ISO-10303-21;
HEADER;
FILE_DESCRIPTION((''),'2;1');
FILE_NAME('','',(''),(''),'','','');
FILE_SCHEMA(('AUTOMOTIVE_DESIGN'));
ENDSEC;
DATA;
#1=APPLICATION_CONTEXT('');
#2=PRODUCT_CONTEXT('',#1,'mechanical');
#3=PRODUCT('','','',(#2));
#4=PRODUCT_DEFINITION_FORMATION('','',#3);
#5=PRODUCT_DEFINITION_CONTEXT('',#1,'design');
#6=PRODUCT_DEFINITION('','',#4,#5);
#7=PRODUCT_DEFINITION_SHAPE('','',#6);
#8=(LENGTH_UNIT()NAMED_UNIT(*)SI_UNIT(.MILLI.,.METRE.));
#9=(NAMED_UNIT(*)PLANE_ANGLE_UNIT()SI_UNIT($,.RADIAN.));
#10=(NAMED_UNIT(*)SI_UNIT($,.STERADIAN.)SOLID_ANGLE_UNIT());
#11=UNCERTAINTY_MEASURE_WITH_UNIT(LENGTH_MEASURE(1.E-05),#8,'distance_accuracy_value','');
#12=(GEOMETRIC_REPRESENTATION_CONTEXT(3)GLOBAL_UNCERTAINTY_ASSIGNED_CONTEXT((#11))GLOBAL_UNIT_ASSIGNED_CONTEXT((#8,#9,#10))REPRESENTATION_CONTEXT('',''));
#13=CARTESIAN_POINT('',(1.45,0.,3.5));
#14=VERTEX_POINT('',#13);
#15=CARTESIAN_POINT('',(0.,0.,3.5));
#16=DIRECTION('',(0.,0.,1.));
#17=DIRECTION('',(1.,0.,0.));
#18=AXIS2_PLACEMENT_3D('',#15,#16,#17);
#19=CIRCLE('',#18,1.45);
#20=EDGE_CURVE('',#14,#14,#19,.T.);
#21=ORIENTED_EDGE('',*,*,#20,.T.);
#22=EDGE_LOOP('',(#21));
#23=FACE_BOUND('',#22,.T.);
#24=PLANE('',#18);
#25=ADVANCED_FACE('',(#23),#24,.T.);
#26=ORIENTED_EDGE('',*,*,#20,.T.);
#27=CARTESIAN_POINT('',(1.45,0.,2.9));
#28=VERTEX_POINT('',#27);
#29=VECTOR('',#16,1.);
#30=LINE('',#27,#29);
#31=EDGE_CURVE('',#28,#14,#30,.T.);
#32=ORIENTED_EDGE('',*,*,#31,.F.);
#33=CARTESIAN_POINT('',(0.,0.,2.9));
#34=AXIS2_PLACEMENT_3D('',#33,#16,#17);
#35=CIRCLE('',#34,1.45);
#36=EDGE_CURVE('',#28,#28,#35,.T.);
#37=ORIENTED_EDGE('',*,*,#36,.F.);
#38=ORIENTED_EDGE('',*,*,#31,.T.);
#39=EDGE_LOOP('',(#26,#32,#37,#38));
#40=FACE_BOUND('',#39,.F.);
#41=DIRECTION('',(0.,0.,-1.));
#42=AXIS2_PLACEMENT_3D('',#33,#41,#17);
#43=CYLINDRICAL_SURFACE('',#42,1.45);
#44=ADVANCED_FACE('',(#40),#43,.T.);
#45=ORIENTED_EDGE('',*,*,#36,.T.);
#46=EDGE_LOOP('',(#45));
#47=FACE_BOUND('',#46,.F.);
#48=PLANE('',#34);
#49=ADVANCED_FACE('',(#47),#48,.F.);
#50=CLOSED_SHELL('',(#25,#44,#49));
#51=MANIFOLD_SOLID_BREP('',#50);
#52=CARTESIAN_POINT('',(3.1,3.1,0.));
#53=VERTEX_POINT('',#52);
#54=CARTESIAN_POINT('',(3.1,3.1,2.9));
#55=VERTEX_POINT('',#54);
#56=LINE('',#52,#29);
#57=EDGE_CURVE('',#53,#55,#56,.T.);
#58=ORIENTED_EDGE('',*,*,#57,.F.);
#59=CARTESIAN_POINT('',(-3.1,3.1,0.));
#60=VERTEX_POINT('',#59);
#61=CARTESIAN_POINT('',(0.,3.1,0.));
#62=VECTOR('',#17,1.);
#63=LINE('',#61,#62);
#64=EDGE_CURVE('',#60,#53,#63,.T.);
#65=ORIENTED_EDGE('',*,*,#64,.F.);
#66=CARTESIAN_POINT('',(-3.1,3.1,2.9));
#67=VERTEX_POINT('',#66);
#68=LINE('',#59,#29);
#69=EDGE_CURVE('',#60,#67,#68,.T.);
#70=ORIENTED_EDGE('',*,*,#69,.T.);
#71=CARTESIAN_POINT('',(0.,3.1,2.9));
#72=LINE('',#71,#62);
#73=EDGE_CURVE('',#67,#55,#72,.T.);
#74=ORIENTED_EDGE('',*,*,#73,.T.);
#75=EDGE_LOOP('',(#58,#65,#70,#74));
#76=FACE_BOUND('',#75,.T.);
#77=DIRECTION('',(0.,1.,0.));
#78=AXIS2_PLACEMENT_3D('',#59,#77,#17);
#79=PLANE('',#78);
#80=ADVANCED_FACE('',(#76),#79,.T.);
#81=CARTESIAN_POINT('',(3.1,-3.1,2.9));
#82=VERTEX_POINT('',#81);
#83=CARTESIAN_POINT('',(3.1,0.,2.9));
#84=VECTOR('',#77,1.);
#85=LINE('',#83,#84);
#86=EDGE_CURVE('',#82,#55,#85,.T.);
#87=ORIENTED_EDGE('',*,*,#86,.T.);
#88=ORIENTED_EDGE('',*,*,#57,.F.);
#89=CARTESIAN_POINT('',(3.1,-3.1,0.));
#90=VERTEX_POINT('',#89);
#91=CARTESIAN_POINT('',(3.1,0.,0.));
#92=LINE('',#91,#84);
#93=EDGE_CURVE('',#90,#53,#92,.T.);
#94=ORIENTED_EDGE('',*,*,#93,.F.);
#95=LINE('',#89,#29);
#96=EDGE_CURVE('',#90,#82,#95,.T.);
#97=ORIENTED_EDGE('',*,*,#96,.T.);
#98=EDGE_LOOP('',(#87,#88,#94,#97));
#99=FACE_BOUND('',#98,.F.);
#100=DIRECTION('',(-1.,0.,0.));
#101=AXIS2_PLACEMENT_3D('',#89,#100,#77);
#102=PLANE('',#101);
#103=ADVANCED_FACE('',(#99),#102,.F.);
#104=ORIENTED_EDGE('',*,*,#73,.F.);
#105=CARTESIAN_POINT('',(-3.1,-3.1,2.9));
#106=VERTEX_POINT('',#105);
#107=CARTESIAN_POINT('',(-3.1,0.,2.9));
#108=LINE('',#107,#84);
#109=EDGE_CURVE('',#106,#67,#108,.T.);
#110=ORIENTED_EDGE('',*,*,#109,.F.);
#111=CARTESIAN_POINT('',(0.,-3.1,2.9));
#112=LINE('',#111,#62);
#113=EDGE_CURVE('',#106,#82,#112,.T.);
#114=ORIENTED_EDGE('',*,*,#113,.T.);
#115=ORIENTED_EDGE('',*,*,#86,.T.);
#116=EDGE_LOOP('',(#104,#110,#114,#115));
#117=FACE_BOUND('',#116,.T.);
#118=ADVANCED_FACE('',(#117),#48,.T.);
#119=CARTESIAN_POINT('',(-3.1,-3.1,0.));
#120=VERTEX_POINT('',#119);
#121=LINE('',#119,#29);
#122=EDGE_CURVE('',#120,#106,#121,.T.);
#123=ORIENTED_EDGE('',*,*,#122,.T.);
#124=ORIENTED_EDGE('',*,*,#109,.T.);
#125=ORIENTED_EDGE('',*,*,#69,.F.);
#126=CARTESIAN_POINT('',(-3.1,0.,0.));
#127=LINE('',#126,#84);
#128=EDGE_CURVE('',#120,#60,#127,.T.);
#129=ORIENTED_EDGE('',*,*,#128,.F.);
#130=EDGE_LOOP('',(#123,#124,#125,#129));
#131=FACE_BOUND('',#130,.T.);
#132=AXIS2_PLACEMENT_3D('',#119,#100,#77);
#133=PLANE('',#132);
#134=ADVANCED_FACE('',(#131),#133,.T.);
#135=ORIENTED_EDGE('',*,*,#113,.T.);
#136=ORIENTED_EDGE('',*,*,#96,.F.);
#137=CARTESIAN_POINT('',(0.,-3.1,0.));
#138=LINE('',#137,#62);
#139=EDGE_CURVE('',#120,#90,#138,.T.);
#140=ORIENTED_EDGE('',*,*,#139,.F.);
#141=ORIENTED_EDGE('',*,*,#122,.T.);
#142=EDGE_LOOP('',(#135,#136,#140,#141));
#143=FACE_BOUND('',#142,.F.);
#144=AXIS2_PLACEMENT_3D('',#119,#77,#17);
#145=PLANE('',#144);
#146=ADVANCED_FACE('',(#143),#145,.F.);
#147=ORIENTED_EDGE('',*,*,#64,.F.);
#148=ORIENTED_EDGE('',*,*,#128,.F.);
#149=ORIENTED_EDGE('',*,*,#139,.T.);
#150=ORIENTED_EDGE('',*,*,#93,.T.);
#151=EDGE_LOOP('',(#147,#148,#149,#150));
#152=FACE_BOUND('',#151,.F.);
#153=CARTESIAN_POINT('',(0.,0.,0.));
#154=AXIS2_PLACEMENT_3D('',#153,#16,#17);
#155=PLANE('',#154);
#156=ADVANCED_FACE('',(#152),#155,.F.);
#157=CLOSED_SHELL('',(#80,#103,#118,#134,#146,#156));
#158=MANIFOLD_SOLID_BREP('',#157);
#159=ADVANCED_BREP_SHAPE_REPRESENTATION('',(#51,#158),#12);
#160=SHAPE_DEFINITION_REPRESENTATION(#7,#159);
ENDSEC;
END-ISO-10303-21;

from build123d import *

# Parameters (mm, degrees)
F0_W     = 6.2
F0_H     = 6.2
F1_DEPTH = 2.9
F2_R     = 1.45
F3_DEPTH = 0.6


with BuildPart() as f1:
    # F0 (on Top) → F1 (new body)
    with BuildSketch(Plane.XY):
        Rectangle(F0_W, F0_H)
    extrude(amount=F1_DEPTH)


with BuildPart() as f3:
    # F2 (on face) → F3 (new body)
    with BuildSketch(Plane.XY.offset(2.9)):
        Circle(F2_R)
    extrude(amount=F3_DEPTH)


solid = Compound([f1.part, f3.part])
